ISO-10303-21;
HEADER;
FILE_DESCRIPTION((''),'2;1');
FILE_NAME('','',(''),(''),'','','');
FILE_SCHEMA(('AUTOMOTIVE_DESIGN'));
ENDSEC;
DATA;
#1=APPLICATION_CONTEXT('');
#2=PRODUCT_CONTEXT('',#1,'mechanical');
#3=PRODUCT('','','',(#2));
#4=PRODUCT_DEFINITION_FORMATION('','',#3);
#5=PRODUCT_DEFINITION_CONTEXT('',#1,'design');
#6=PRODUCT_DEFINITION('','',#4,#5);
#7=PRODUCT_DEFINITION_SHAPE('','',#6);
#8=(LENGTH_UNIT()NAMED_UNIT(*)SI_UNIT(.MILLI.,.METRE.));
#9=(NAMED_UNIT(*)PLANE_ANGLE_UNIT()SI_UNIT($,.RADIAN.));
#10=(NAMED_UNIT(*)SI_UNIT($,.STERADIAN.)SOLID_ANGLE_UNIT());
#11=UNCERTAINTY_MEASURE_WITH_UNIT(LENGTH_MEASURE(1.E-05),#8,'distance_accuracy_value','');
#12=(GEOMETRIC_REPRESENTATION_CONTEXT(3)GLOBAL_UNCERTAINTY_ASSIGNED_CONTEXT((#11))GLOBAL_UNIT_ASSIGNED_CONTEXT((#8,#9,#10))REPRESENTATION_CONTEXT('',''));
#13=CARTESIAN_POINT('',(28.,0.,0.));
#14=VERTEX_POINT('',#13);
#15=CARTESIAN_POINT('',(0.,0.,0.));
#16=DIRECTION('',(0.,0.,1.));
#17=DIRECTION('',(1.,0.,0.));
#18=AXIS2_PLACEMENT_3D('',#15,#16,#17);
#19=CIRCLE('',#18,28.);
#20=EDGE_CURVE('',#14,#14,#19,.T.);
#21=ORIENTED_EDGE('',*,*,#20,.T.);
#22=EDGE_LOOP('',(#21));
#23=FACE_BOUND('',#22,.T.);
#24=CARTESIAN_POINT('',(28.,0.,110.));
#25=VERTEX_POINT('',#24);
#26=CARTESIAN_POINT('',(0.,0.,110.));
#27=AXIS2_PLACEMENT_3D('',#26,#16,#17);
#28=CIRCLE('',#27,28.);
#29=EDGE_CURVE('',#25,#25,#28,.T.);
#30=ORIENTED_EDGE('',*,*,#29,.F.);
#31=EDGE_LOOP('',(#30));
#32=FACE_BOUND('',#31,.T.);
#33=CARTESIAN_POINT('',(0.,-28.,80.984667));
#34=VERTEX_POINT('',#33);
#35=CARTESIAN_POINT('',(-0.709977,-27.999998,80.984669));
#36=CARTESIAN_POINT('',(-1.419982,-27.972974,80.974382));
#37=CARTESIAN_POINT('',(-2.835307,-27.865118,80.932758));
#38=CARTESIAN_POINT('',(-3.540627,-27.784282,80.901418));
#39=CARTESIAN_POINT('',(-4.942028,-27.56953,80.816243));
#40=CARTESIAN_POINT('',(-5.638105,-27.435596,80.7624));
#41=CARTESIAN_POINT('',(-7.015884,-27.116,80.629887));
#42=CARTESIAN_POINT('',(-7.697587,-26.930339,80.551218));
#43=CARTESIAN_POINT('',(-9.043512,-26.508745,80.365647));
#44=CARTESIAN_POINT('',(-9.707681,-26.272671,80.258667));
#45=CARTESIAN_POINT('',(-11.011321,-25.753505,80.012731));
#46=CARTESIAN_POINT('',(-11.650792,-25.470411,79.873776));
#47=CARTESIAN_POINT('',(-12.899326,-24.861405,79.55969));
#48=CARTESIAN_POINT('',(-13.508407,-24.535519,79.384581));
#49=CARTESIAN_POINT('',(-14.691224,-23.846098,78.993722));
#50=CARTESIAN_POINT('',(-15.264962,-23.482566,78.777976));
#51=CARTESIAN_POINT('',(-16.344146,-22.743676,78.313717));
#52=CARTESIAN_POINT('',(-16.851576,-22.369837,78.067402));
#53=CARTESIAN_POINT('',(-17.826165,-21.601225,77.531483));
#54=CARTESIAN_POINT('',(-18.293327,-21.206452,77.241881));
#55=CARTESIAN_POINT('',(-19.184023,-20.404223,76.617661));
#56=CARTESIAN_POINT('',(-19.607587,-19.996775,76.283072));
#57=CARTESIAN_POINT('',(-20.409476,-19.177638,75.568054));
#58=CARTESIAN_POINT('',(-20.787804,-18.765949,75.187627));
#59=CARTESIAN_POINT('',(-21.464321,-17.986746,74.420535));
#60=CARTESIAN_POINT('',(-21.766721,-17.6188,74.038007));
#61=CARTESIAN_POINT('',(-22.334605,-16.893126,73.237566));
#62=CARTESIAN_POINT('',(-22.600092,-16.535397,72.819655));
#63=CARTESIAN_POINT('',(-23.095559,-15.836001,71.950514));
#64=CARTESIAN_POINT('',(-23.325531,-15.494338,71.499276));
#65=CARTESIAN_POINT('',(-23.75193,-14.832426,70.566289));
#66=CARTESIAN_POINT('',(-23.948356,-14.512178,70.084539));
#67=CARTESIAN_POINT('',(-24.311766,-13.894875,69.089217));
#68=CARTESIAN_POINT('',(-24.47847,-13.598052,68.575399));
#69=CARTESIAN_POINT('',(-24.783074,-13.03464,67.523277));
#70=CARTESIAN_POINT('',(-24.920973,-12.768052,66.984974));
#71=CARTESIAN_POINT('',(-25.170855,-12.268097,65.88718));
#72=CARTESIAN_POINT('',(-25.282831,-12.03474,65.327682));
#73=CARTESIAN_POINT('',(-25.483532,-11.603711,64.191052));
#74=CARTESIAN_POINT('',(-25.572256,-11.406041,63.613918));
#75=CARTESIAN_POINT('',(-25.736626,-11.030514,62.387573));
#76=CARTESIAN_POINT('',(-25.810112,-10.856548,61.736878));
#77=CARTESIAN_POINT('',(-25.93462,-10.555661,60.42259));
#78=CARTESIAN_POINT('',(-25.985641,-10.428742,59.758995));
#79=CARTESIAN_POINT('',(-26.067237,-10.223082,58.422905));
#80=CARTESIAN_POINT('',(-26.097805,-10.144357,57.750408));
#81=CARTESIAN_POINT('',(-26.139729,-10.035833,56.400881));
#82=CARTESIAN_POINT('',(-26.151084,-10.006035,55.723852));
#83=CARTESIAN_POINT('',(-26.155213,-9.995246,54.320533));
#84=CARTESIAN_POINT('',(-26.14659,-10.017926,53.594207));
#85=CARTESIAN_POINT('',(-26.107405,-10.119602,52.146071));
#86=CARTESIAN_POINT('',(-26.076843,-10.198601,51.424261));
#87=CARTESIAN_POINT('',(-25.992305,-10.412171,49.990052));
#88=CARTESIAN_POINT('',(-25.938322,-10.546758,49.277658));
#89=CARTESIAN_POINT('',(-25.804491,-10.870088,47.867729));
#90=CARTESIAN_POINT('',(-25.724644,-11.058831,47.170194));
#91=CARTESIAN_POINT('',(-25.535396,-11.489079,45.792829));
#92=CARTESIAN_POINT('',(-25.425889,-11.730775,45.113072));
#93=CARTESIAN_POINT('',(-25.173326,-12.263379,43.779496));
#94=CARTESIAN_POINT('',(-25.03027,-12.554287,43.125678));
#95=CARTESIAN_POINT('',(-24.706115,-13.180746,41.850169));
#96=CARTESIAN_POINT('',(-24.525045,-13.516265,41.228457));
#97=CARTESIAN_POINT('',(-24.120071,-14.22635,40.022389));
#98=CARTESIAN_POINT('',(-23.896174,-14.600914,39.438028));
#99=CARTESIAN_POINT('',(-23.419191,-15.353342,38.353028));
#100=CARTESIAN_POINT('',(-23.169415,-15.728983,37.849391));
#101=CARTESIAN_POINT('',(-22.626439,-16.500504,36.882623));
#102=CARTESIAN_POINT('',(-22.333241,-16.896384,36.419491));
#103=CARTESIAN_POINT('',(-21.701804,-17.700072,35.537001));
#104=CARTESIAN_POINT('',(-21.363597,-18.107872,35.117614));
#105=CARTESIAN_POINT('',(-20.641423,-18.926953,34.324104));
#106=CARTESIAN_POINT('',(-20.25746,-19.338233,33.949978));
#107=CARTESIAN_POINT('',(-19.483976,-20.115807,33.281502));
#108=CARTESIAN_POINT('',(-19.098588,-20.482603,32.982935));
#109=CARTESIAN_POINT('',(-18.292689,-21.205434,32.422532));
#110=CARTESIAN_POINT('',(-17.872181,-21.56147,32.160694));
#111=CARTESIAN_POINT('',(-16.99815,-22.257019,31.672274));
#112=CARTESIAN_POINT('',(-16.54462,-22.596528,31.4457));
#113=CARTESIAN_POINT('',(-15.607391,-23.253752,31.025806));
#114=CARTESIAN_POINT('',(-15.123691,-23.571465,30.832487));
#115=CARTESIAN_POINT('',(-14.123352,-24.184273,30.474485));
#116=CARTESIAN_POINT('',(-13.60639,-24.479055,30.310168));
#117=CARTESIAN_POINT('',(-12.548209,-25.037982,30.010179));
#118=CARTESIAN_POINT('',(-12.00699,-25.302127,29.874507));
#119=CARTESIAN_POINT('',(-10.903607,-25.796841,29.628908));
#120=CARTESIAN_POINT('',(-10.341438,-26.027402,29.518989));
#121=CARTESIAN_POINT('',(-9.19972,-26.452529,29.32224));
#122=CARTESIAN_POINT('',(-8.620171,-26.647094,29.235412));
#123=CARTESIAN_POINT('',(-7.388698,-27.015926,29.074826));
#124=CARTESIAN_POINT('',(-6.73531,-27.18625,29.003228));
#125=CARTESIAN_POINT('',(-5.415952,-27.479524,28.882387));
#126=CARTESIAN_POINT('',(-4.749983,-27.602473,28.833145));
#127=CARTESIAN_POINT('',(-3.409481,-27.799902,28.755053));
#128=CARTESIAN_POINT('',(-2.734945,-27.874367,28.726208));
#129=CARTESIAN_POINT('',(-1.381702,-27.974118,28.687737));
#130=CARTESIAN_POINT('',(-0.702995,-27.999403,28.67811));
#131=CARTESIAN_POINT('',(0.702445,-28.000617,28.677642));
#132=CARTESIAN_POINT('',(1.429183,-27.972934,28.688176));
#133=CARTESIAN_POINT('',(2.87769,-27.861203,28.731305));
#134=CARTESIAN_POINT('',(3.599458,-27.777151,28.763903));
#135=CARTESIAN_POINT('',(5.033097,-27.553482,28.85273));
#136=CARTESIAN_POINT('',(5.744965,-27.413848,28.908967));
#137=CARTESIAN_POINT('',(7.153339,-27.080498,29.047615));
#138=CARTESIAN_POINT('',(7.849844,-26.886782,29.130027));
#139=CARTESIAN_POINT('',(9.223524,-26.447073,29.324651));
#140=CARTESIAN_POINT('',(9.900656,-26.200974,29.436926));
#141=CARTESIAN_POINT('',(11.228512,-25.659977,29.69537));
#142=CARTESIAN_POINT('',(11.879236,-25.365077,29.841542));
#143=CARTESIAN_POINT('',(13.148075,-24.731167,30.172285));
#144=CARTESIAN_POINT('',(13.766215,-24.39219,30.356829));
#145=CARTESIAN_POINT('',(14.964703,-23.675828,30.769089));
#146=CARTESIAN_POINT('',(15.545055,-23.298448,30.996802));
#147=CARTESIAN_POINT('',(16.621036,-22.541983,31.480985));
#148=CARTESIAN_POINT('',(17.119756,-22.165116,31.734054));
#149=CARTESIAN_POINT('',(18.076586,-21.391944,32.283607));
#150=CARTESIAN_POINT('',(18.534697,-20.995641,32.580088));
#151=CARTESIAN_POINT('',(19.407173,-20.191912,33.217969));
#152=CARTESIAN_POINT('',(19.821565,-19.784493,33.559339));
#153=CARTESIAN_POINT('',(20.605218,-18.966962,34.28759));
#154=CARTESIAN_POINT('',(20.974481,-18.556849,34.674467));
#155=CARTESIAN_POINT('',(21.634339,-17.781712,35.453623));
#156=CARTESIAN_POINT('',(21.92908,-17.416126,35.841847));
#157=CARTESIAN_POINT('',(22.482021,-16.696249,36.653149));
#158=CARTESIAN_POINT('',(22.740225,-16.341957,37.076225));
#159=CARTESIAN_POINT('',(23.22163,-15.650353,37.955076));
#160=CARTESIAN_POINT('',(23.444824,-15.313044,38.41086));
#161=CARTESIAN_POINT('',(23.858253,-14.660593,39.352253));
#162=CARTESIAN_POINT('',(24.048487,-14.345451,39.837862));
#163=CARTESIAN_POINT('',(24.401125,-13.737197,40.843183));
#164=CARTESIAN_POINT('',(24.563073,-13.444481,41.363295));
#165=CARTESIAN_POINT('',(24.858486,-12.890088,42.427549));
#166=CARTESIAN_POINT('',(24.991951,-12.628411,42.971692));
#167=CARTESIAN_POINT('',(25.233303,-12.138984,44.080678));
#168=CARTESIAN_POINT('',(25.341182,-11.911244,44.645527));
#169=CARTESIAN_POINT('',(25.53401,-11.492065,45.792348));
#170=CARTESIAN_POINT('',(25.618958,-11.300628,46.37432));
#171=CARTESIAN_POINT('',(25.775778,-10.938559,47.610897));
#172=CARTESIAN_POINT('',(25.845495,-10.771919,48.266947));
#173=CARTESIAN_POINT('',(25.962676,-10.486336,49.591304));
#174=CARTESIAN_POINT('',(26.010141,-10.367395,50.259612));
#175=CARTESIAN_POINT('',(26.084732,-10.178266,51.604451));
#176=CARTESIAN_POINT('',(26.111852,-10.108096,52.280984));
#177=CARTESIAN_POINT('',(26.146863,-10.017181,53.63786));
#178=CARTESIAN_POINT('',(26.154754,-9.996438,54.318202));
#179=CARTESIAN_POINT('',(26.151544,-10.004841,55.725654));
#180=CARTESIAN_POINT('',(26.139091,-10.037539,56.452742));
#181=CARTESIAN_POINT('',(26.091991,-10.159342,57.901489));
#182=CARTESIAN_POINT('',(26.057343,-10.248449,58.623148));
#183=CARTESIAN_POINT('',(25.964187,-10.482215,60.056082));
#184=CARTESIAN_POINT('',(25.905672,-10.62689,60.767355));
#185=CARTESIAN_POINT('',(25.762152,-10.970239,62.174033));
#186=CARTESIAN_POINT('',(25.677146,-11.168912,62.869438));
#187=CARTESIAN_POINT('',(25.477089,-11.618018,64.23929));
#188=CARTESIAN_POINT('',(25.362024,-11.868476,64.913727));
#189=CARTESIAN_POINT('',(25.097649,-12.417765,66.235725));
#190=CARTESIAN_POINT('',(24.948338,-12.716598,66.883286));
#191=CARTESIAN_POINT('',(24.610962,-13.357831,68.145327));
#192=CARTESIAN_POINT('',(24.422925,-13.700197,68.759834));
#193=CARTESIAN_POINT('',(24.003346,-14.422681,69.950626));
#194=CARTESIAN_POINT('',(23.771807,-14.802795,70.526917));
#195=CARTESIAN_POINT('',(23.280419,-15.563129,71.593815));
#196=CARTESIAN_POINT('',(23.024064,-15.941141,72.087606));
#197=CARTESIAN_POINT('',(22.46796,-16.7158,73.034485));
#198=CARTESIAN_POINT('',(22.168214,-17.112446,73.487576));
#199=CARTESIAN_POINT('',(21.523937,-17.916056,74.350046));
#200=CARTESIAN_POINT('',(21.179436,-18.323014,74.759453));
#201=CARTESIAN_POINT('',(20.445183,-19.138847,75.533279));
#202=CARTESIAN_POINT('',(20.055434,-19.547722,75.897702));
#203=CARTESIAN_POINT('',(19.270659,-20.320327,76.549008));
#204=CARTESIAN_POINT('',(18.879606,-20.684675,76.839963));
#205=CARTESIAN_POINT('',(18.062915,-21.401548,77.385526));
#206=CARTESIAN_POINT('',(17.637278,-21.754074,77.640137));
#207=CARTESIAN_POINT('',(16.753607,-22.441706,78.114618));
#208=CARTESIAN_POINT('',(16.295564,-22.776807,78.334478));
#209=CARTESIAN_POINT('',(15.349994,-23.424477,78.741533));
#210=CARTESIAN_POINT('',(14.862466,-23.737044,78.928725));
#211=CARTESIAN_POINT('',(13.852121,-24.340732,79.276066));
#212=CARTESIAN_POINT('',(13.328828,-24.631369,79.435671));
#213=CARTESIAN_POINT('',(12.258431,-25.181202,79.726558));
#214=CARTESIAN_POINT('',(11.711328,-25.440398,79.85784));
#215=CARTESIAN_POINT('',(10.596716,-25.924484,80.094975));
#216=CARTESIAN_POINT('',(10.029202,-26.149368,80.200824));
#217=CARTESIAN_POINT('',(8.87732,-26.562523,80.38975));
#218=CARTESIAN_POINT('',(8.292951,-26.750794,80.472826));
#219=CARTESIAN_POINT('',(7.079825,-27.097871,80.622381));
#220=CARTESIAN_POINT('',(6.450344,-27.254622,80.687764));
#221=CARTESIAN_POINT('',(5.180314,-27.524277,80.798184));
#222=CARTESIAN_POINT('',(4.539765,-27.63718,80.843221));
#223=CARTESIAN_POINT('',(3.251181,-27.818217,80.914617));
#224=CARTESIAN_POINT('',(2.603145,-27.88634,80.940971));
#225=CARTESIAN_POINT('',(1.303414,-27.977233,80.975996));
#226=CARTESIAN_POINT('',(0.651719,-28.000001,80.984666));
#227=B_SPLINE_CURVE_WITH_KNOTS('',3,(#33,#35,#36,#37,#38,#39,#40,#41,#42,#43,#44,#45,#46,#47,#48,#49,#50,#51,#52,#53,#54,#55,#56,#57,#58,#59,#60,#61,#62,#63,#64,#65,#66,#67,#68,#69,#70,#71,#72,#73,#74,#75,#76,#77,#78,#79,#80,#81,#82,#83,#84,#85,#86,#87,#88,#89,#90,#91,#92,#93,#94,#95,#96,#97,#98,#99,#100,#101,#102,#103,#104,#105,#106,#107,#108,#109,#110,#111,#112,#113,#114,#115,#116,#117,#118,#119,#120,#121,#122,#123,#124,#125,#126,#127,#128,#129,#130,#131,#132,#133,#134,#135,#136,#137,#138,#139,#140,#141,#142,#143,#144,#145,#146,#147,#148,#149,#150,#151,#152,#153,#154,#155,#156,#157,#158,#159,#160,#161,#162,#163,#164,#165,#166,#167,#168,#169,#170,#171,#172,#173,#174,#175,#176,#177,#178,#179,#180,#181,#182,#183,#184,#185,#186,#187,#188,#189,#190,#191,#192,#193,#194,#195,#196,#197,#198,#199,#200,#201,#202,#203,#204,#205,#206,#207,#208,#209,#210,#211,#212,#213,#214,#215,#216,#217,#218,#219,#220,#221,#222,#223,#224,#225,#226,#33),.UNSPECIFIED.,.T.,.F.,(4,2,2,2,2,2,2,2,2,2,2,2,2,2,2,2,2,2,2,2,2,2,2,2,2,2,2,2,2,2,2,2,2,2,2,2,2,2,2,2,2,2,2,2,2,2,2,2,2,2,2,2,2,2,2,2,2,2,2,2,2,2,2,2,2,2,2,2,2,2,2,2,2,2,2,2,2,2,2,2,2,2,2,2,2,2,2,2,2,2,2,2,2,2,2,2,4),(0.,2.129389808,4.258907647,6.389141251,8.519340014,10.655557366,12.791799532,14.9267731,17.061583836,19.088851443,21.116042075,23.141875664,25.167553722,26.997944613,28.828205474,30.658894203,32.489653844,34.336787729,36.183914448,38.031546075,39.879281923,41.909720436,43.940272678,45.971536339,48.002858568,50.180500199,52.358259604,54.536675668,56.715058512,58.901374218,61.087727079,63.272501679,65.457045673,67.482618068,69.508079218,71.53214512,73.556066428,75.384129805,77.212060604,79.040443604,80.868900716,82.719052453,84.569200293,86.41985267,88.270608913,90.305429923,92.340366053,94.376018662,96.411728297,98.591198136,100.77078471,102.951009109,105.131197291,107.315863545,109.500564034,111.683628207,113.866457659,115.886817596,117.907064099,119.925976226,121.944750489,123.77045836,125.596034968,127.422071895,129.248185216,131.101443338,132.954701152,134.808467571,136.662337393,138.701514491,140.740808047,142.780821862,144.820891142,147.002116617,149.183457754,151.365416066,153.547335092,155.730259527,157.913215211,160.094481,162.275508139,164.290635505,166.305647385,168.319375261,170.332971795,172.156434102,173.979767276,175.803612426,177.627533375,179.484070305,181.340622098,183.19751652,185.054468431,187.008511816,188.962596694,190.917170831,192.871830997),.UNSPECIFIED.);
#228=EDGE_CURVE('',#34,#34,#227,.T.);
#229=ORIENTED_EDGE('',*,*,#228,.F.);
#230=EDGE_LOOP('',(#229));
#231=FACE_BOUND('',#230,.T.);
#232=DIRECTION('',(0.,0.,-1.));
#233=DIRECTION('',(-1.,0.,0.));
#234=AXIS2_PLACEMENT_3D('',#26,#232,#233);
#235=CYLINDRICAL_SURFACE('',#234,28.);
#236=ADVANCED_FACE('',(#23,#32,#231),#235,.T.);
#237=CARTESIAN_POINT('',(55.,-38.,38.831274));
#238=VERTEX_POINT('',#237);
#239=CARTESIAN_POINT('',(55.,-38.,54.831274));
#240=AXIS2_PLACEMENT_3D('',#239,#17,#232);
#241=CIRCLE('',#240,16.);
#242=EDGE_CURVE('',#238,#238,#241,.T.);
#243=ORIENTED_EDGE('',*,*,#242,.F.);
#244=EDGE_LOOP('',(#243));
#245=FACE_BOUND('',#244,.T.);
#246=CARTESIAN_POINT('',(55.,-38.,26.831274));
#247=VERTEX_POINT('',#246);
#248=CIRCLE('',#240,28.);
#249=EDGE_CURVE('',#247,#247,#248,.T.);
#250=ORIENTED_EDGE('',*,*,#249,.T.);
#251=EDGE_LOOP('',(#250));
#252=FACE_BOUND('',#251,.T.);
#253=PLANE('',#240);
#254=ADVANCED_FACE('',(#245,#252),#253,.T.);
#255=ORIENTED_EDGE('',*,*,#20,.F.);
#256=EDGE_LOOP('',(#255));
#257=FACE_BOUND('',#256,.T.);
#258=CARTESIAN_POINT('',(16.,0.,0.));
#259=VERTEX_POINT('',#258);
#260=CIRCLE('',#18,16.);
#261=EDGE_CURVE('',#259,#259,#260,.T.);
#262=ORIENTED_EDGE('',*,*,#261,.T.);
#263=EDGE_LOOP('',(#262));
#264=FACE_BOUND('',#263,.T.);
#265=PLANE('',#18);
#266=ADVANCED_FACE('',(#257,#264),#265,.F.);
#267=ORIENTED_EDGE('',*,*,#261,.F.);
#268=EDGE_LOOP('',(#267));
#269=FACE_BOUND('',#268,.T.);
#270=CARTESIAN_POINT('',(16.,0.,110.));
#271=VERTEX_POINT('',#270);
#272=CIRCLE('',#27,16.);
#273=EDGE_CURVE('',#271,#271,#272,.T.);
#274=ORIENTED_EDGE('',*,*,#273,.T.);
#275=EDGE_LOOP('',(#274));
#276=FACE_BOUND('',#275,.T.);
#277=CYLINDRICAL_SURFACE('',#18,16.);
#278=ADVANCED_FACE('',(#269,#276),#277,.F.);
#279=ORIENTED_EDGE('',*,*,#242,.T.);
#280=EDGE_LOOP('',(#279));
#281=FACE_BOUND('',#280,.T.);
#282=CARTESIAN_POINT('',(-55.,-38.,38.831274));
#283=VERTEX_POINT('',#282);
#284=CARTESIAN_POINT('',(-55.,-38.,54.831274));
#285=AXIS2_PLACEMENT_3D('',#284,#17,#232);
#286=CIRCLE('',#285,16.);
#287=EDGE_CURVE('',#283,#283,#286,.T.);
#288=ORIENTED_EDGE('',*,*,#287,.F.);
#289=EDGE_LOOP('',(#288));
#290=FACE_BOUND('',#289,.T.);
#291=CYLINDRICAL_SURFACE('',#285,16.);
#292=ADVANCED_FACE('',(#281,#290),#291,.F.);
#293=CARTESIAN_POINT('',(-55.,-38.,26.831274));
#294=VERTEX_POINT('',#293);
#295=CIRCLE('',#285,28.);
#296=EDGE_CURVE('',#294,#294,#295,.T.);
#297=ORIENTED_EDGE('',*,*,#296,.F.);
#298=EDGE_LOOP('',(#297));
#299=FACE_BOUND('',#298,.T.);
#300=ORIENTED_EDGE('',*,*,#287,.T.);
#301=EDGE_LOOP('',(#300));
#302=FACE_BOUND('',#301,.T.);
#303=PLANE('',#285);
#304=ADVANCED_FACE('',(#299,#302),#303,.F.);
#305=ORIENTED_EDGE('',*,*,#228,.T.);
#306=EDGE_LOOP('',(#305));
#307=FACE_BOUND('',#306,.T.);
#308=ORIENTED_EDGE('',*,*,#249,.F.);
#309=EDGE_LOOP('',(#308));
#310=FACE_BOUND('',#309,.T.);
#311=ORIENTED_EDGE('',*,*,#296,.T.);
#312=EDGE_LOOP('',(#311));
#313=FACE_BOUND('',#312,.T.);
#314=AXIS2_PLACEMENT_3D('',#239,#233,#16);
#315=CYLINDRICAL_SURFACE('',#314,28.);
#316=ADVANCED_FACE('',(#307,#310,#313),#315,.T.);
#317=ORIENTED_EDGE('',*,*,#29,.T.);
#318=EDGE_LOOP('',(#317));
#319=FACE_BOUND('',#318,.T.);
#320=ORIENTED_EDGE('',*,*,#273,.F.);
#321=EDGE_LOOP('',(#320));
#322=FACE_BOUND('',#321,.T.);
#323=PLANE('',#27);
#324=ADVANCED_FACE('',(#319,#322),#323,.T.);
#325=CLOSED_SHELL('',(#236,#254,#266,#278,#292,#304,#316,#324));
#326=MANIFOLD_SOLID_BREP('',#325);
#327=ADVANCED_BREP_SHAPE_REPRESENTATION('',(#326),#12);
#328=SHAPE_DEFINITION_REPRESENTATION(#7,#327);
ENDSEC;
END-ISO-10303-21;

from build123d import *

# Parameters (mm, degrees)
SKETCH1_R           = 28
BOSS_EXTRUDE1_DEPTH = 110
SKETCH3_R           = 28
BOSS_EXTRUDE2_DEPTH = 55
SKETCH4_R           = 16
CUT_EXTRUDE1_DEPTH  = 140.57435311
SKETCH6_R           = 16
CUT_EXTRUDE2_DEPTH  = 169.985206622


with BuildPart() as part:
    # Sketch1 → Boss-Extrude1 (new body)
    with BuildSketch(Plane.XY):
        Circle(SKETCH1_R)
    extrude(amount=BOSS_EXTRUDE1_DEPTH)

    # Sketch3 → Boss-Extrude2 (add, symmetric)
    with BuildSketch(Plane(origin=(0, 0, 0), x_dir=(0, 0, -1), z_dir=(1, 0, 0))):
        with Locations((-54.831273686, -38)):
            Circle(SKETCH3_R)
    extrude(amount=BOSS_EXTRUDE2_DEPTH, both=True)

    # Sketch4 → Cut-Extrude1 (cut, through all)
    with BuildSketch(Plane.XY.offset(110)):
        Circle(SKETCH4_R)
    extrude(amount=-CUT_EXTRUDE1_DEPTH, mode=Mode.SUBTRACT)

    # Sketch6 → Cut-Extrude2 (cut, through all)
    with BuildSketch(Plane(origin=(55, 0, 0), x_dir=(0, 0, -1), z_dir=(1, 0, 0))):
        with Locations((-54.831273686, -38)):
            Circle(SKETCH6_R)
    extrude(amount=-CUT_EXTRUDE2_DEPTH, mode=Mode.SUBTRACT)


solid = part.part
